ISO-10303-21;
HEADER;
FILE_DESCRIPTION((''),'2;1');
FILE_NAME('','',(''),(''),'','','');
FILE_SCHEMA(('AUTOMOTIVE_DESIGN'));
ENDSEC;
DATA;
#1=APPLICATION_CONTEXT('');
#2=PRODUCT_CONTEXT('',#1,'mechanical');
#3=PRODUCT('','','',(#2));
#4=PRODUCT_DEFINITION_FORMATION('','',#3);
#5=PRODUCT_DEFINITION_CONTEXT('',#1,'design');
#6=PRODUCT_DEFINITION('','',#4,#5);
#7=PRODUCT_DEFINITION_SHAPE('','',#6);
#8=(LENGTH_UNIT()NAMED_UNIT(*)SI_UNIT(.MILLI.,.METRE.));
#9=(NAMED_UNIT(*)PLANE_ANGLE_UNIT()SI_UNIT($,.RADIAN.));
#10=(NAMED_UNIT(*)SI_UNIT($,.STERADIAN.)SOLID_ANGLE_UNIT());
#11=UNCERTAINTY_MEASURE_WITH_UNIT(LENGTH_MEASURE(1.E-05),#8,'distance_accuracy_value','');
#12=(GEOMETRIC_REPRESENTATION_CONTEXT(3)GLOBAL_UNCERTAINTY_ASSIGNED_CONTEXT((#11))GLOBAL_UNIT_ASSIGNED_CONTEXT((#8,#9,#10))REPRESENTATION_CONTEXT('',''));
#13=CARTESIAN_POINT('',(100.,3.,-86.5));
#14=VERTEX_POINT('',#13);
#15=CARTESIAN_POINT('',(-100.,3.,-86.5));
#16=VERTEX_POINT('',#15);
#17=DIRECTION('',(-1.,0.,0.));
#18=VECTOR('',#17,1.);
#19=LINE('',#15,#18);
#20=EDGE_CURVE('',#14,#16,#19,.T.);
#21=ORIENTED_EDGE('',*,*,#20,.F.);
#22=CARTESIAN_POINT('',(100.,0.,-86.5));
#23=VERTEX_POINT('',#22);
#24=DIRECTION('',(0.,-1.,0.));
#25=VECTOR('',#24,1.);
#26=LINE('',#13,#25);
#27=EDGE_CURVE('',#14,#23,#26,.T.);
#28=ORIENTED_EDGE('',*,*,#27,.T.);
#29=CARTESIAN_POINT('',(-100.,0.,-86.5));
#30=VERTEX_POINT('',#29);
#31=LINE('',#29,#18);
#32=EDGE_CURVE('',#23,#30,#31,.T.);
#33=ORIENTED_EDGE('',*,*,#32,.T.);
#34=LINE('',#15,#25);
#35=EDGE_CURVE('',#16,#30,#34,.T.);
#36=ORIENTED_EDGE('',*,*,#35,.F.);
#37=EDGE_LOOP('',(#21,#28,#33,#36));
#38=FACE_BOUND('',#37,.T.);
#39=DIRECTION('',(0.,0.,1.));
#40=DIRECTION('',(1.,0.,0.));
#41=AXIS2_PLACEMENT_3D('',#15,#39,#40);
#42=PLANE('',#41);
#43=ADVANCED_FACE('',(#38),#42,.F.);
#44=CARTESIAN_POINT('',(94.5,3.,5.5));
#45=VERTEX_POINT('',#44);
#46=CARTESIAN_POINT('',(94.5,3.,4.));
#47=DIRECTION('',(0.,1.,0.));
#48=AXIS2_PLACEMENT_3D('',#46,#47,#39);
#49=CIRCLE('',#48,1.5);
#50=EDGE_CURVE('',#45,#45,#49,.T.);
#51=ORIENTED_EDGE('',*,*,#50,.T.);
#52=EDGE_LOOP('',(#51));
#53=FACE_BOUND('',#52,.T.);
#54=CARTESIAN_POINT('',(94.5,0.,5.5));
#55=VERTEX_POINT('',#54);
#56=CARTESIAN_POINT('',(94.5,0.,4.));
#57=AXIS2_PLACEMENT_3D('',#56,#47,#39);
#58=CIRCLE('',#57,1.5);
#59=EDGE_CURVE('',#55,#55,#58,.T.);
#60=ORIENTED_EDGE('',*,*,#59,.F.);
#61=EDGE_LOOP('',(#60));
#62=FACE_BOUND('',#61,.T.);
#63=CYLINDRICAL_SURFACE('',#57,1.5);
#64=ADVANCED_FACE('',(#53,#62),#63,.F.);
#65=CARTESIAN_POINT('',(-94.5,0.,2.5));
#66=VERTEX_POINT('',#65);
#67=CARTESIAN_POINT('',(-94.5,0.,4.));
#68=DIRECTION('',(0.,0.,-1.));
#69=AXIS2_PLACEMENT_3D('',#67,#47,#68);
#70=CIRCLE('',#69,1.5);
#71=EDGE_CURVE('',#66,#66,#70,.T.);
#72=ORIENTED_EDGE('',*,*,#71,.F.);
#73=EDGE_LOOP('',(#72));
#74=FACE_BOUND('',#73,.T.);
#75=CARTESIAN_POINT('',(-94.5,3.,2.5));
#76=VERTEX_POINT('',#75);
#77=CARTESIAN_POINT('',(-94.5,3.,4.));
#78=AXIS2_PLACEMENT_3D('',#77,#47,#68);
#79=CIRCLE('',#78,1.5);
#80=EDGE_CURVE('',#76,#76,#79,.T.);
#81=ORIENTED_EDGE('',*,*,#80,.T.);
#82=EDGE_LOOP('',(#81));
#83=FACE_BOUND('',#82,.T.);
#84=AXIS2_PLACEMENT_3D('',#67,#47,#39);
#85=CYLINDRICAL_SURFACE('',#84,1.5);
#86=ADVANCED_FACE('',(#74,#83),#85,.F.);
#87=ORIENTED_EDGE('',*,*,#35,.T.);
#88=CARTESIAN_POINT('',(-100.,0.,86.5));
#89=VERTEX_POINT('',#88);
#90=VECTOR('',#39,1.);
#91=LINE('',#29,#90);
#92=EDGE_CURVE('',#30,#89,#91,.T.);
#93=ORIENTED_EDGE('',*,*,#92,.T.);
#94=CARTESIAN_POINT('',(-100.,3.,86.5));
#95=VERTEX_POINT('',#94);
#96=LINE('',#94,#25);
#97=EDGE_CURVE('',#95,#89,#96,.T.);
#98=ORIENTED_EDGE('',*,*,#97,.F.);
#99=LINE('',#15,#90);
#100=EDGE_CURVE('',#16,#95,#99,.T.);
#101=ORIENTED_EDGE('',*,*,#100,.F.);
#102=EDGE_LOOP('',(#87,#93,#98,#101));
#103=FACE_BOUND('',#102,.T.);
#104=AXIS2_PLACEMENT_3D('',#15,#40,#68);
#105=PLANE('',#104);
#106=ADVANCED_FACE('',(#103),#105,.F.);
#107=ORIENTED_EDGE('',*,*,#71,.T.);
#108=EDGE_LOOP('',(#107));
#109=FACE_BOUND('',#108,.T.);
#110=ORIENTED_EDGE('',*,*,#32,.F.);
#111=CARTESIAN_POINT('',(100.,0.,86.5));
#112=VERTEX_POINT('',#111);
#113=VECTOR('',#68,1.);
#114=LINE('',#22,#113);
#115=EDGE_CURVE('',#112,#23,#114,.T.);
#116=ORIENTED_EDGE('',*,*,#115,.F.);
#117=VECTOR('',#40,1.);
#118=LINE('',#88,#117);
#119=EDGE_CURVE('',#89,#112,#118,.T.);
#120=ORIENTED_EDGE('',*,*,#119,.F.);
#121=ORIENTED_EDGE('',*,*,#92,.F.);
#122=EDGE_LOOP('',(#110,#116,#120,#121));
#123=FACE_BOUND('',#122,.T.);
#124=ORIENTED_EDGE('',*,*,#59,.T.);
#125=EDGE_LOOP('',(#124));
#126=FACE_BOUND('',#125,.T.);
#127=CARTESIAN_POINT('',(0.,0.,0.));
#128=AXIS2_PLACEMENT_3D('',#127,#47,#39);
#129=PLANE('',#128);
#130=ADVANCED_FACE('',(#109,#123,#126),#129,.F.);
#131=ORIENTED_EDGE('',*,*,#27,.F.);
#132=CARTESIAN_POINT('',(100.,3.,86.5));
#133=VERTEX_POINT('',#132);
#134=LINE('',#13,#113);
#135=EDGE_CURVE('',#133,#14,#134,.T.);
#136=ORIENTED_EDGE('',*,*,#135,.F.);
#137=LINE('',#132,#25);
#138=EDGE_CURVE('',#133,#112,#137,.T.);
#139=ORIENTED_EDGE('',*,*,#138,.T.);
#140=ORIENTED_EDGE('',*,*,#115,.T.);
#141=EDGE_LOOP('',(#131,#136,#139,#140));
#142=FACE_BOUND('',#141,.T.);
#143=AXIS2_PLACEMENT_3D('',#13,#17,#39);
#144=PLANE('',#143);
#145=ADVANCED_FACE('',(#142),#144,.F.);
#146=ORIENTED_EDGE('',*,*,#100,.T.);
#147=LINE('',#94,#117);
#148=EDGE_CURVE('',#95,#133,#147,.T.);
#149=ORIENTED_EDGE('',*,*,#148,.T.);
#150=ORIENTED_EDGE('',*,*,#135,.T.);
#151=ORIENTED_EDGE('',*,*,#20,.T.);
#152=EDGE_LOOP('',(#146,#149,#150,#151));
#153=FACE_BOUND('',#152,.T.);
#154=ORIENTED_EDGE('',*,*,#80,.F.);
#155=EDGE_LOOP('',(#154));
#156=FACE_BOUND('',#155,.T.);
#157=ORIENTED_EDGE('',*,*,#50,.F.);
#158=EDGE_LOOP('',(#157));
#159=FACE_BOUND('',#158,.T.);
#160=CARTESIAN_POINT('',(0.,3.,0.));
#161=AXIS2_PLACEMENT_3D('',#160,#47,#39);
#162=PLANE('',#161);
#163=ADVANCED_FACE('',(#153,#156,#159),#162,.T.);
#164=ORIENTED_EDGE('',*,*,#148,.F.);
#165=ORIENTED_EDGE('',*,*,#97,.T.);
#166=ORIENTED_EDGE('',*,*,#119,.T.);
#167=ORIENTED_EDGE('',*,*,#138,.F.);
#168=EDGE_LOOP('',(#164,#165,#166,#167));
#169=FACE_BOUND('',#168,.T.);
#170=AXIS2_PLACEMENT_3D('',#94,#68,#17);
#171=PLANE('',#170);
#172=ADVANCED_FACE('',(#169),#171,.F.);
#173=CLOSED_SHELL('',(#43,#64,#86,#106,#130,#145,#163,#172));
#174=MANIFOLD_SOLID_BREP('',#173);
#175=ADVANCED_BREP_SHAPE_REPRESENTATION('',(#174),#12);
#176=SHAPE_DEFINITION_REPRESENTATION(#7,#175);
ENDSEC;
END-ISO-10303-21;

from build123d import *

# Parameters (mm, degrees)
SKETCH1_W           = 200
SKETCH1_H           = 173
BOSS_EXTRUDE1_DEPTH = 3
SKETCH3_R           = 1.5
CUT_EXTRUDE2_DEPTH  = 133.254489527


with BuildPart() as part:
    # Sketch1 → Boss-Extrude1 (new body)
    with BuildSketch(Plane(origin=(0, 0, 0), x_dir=(1, 0, 0), z_dir=(0, 1, 0))):
        Rectangle(SKETCH1_W, SKETCH1_H)
    extrude(amount=BOSS_EXTRUDE1_DEPTH)

    # Sketch3 → Cut-Extrude2 (cut, through all)
    with BuildSketch(Plane(origin=(0, 3, 0), x_dir=(1, 0, 0), z_dir=(0, 1, 0))):
        with Locations(Location((94.5, -4, 0), (0, 0, 270))):
            Circle(SKETCH3_R)
        with Locations(Location((-94.5, -4, 0), (0, 0, 90))):
            Circle(SKETCH3_R)
    extrude(amount=-CUT_EXTRUDE2_DEPTH, mode=Mode.SUBTRACT)


solid = part.part
